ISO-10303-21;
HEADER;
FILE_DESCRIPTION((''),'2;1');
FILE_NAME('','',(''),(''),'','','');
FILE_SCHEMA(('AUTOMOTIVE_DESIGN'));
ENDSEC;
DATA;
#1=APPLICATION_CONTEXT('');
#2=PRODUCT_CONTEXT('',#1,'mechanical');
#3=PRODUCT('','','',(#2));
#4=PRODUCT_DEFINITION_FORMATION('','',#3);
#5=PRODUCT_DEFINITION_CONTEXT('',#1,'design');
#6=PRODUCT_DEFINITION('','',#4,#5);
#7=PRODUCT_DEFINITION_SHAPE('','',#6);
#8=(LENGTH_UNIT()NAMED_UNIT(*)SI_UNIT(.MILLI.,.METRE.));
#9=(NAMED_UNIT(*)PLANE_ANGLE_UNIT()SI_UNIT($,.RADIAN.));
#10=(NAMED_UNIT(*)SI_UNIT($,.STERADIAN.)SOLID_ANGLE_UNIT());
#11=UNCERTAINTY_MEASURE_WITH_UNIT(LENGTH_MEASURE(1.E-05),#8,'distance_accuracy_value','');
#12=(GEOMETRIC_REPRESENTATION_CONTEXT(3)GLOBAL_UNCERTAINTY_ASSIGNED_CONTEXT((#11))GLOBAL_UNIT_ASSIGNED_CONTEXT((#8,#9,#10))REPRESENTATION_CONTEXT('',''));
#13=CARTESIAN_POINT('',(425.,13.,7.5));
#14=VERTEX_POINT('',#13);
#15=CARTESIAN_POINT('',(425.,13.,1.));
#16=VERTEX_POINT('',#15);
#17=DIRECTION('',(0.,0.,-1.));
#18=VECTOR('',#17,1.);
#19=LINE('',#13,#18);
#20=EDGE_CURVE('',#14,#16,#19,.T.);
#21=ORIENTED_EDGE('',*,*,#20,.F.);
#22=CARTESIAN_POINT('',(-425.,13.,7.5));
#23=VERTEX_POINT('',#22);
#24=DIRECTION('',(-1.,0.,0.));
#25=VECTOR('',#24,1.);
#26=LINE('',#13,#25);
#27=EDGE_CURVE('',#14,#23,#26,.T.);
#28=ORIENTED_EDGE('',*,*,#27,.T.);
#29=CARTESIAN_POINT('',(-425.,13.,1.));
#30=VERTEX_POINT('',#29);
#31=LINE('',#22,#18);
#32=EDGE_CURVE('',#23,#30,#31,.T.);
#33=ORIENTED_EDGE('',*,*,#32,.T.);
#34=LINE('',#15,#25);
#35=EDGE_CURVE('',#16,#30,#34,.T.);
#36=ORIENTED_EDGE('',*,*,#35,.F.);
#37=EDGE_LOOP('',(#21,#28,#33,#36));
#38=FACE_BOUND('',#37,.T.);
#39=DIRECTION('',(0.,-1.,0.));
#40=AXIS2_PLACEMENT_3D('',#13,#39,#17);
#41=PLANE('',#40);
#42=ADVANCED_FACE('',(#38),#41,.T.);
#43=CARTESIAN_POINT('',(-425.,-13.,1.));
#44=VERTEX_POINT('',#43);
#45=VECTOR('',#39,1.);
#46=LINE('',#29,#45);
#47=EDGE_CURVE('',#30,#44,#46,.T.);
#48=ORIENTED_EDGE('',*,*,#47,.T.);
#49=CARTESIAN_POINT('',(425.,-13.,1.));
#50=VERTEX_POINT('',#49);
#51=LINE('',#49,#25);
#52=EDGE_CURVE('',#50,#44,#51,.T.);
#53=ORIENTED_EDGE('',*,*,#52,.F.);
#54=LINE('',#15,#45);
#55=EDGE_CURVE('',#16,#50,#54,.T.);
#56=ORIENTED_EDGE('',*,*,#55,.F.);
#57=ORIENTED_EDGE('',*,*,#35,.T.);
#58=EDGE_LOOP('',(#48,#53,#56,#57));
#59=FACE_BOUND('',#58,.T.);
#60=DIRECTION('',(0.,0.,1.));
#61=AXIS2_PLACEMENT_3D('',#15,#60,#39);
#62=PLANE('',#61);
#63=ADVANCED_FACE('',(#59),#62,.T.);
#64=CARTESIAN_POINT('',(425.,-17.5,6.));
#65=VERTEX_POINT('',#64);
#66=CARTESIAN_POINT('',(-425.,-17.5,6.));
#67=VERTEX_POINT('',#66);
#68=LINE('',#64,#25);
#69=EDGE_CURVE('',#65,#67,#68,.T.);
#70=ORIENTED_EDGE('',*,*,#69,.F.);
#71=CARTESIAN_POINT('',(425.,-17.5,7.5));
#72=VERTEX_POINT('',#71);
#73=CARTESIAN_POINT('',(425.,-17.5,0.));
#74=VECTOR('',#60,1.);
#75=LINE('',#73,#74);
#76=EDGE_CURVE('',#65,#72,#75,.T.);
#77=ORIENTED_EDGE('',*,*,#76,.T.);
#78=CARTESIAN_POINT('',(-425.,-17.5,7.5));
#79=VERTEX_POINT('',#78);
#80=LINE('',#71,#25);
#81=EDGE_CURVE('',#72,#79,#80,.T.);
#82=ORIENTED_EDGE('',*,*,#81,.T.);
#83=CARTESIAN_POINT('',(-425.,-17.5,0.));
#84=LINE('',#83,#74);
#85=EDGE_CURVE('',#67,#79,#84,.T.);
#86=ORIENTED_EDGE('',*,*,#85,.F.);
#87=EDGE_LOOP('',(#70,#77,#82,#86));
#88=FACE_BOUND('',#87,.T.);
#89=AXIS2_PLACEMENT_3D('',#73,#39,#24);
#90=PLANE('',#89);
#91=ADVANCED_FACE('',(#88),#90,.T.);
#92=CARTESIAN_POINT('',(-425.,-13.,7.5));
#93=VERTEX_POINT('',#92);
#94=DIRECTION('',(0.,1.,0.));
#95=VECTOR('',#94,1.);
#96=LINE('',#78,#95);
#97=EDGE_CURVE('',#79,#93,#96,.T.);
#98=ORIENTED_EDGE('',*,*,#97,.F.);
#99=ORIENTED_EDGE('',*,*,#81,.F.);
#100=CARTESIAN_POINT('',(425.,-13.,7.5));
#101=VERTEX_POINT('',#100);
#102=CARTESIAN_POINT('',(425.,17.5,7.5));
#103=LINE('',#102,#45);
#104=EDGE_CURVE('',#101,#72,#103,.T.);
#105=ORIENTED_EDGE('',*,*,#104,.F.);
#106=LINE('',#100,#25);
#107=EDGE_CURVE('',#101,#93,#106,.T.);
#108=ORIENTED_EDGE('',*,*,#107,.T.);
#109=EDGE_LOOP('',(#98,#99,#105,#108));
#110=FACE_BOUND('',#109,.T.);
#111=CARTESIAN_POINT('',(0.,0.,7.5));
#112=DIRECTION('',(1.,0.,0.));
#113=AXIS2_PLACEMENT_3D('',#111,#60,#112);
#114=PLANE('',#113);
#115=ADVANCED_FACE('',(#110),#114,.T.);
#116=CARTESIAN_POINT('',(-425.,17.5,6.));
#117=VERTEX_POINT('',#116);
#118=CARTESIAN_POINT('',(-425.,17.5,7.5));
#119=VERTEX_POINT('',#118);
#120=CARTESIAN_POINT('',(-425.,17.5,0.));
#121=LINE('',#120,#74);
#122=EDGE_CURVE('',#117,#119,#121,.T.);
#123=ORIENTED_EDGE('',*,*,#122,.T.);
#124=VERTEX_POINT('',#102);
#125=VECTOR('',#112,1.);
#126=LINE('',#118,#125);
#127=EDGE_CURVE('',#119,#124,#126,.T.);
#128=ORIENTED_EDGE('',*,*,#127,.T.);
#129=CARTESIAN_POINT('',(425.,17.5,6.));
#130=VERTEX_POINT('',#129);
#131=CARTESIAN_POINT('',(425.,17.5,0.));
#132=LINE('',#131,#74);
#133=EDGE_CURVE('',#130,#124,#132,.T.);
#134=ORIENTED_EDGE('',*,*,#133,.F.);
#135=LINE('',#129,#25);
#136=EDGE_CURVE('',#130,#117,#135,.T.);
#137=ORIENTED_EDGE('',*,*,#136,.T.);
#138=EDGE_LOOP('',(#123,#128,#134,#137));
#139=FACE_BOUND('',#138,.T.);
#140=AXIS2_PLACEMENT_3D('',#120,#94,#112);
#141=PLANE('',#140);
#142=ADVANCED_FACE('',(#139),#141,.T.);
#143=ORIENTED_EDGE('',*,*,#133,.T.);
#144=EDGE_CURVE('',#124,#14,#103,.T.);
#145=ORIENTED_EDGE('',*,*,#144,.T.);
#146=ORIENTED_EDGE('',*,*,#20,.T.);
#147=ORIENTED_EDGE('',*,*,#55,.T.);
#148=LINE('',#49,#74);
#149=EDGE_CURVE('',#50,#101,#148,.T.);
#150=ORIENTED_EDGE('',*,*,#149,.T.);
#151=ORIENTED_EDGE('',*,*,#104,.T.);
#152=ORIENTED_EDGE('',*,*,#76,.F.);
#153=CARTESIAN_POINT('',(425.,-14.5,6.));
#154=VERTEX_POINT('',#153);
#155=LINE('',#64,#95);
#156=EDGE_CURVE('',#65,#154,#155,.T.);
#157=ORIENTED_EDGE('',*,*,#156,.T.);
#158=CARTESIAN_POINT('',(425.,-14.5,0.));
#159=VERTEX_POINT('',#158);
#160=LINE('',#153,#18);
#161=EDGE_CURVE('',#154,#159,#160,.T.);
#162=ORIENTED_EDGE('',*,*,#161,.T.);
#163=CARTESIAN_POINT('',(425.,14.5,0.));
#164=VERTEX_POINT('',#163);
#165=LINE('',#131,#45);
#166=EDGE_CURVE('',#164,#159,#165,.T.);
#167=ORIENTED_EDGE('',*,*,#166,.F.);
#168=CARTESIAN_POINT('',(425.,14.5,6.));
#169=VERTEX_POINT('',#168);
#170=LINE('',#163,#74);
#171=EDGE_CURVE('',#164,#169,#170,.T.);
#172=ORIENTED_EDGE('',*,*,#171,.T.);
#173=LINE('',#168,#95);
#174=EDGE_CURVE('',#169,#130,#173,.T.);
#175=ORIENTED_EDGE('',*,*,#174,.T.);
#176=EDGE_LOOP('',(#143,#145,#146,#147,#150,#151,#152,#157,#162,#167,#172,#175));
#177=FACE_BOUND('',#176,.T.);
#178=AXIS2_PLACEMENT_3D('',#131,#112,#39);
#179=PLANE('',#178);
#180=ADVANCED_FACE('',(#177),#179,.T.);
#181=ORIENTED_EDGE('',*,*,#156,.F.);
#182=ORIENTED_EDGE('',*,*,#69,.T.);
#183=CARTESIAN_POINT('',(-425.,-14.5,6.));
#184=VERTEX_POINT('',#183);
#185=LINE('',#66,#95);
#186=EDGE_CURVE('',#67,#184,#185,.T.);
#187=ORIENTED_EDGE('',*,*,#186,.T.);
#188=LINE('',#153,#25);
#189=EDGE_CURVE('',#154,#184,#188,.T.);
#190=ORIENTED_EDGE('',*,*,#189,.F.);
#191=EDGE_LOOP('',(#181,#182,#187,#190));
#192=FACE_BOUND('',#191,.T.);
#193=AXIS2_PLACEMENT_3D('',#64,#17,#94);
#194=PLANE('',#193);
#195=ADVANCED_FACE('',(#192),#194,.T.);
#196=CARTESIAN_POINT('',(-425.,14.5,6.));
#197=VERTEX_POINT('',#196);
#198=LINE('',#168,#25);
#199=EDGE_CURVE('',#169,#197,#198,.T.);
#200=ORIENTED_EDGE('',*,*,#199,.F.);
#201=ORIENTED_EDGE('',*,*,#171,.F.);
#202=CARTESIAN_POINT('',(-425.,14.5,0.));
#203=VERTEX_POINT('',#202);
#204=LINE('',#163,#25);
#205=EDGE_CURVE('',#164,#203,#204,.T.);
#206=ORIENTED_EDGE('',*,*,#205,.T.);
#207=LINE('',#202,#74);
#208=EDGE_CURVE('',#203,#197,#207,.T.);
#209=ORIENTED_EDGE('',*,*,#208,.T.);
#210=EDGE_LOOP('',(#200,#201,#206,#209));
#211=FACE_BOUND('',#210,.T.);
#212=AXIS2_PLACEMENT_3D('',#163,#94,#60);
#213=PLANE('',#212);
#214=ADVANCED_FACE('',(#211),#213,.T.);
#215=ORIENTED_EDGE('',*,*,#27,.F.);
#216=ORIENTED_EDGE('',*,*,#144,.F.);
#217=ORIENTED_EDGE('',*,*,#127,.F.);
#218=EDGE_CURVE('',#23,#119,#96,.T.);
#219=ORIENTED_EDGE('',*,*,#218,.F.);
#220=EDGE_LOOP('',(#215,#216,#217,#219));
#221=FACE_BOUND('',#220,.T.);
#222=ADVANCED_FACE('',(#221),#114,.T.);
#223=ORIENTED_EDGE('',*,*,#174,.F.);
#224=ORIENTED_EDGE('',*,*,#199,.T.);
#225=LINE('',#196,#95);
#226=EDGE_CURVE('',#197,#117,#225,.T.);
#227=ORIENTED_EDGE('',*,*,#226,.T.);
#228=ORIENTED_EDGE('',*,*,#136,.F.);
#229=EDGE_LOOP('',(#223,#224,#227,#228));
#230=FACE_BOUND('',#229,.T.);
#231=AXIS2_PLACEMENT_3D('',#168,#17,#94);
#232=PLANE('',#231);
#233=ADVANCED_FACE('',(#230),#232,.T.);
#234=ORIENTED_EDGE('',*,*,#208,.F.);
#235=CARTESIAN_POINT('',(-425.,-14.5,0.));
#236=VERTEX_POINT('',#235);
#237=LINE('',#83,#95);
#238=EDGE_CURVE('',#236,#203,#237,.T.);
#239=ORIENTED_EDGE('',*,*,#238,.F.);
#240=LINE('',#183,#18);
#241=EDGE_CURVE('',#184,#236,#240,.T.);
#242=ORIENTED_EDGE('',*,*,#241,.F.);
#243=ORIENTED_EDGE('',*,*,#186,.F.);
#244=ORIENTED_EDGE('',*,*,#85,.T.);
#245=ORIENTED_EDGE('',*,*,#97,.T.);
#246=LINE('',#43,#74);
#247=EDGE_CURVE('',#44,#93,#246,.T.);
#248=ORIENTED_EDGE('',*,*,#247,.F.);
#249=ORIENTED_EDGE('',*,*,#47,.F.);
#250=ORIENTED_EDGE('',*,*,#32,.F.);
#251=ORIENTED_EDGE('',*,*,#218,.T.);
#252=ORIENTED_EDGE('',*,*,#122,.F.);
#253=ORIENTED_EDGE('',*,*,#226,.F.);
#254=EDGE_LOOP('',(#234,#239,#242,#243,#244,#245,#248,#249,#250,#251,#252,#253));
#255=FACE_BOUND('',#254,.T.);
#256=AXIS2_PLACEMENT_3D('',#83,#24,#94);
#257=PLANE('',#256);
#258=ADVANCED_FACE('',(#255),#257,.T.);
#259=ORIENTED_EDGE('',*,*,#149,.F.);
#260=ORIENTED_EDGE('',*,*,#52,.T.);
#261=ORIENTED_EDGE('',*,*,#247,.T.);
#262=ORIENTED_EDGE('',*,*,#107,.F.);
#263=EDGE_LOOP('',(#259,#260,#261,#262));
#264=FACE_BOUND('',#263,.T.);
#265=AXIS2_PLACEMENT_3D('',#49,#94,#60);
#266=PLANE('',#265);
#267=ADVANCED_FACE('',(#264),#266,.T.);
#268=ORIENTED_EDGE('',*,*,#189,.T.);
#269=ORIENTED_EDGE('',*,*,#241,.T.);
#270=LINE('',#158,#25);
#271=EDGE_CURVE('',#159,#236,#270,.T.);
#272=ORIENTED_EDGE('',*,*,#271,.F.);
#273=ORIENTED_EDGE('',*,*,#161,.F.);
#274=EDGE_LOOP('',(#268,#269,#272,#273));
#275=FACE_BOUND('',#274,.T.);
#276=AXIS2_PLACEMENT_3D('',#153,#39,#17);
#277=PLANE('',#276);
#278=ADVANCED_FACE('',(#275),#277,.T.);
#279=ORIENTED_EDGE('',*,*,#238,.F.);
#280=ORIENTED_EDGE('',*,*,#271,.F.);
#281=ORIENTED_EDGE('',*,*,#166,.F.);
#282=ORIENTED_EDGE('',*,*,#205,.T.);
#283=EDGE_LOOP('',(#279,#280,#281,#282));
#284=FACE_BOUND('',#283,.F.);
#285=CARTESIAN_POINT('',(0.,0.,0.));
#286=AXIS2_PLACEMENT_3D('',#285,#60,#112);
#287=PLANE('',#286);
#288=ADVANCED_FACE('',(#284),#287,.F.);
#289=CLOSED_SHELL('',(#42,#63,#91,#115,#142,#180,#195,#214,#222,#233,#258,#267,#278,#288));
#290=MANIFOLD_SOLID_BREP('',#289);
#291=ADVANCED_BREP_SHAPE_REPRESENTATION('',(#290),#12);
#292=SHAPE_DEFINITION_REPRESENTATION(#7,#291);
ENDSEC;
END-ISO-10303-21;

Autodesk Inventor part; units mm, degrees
ref_plane "YZ Plane" through (0, 0, 0) normal (1, 0, 0) x (0, 1, 0)
ref_plane "XZ Plane" through (0, 0, 0) normal (0, 1, 0) x (-1, 0, 0)
ref_plane "XY Plane" through (0, 0, 0) normal (0, 0, 1) x (1, 0, 0)
sketch "草圖1" plane through (0, 0, 0) normal (0, 0, 1) x (1, 0, 0)
  line L0 (-425, 17.5) -> (425, 17.5)
  line L1 (425, 17.5) -> (425, -17.5)
  line L2 (425, -17.5) -> (-425, -17.5)
  line L3 (-425, -17.5) -> (-425, 17.5)
  point P0 (0, 0)
  dimension "d0" = 850
  dimension "d1" = 35
  dimension "d2" = 17.5
  dimension "d3" = 425
extrude "擠出1" add sketch "草圖1" along normal blind 7.5
sketch "草圖2" plane through (425, -17.5, 0) normal (1, 0, 0) x (0, 0, -1)
  line L0 (0, 35) -> (-7.5, 35) projected
  line L1 (0, 0) -> (0, 35) projected
  line L2 (-6, 35) -> (0, 35)
  line L3 (0, 35) -> (0, 32)
  line L4 (0, 32) -> (-6, 32)
  line L5 (-6, 32) -> (-6, 35)
  line L6 (-6, 3) -> (0, 3)
  line L7 (0, 3) -> (0, 0)
  line L8 (0, 0) -> (-6, 0)
  line L9 (-6, 0) -> (-6, 3)
  line L10 (-7.5, 35) -> (-7.5, 0) projected
  line L11 (-7.5, 30.5) -> (-1, 30.5)
  line L12 (-1, 30.5) -> (-1, 4.5)
  line L13 (-1, 4.5) -> (-7.5, 4.5)
  line L14 (-7.5, 4.5) -> (-7.5, 30.5)
  point P0 (0, 17.5)
  dimension "d6" = 6
  dimension "d7" = 3
  dimension "d8" = 26
  dimension "d9" = 1
  dimension "d10" = 13
extrude "擠出2" cut sketch "草圖2" against normal blind 850
properties part number "鋁軌"
